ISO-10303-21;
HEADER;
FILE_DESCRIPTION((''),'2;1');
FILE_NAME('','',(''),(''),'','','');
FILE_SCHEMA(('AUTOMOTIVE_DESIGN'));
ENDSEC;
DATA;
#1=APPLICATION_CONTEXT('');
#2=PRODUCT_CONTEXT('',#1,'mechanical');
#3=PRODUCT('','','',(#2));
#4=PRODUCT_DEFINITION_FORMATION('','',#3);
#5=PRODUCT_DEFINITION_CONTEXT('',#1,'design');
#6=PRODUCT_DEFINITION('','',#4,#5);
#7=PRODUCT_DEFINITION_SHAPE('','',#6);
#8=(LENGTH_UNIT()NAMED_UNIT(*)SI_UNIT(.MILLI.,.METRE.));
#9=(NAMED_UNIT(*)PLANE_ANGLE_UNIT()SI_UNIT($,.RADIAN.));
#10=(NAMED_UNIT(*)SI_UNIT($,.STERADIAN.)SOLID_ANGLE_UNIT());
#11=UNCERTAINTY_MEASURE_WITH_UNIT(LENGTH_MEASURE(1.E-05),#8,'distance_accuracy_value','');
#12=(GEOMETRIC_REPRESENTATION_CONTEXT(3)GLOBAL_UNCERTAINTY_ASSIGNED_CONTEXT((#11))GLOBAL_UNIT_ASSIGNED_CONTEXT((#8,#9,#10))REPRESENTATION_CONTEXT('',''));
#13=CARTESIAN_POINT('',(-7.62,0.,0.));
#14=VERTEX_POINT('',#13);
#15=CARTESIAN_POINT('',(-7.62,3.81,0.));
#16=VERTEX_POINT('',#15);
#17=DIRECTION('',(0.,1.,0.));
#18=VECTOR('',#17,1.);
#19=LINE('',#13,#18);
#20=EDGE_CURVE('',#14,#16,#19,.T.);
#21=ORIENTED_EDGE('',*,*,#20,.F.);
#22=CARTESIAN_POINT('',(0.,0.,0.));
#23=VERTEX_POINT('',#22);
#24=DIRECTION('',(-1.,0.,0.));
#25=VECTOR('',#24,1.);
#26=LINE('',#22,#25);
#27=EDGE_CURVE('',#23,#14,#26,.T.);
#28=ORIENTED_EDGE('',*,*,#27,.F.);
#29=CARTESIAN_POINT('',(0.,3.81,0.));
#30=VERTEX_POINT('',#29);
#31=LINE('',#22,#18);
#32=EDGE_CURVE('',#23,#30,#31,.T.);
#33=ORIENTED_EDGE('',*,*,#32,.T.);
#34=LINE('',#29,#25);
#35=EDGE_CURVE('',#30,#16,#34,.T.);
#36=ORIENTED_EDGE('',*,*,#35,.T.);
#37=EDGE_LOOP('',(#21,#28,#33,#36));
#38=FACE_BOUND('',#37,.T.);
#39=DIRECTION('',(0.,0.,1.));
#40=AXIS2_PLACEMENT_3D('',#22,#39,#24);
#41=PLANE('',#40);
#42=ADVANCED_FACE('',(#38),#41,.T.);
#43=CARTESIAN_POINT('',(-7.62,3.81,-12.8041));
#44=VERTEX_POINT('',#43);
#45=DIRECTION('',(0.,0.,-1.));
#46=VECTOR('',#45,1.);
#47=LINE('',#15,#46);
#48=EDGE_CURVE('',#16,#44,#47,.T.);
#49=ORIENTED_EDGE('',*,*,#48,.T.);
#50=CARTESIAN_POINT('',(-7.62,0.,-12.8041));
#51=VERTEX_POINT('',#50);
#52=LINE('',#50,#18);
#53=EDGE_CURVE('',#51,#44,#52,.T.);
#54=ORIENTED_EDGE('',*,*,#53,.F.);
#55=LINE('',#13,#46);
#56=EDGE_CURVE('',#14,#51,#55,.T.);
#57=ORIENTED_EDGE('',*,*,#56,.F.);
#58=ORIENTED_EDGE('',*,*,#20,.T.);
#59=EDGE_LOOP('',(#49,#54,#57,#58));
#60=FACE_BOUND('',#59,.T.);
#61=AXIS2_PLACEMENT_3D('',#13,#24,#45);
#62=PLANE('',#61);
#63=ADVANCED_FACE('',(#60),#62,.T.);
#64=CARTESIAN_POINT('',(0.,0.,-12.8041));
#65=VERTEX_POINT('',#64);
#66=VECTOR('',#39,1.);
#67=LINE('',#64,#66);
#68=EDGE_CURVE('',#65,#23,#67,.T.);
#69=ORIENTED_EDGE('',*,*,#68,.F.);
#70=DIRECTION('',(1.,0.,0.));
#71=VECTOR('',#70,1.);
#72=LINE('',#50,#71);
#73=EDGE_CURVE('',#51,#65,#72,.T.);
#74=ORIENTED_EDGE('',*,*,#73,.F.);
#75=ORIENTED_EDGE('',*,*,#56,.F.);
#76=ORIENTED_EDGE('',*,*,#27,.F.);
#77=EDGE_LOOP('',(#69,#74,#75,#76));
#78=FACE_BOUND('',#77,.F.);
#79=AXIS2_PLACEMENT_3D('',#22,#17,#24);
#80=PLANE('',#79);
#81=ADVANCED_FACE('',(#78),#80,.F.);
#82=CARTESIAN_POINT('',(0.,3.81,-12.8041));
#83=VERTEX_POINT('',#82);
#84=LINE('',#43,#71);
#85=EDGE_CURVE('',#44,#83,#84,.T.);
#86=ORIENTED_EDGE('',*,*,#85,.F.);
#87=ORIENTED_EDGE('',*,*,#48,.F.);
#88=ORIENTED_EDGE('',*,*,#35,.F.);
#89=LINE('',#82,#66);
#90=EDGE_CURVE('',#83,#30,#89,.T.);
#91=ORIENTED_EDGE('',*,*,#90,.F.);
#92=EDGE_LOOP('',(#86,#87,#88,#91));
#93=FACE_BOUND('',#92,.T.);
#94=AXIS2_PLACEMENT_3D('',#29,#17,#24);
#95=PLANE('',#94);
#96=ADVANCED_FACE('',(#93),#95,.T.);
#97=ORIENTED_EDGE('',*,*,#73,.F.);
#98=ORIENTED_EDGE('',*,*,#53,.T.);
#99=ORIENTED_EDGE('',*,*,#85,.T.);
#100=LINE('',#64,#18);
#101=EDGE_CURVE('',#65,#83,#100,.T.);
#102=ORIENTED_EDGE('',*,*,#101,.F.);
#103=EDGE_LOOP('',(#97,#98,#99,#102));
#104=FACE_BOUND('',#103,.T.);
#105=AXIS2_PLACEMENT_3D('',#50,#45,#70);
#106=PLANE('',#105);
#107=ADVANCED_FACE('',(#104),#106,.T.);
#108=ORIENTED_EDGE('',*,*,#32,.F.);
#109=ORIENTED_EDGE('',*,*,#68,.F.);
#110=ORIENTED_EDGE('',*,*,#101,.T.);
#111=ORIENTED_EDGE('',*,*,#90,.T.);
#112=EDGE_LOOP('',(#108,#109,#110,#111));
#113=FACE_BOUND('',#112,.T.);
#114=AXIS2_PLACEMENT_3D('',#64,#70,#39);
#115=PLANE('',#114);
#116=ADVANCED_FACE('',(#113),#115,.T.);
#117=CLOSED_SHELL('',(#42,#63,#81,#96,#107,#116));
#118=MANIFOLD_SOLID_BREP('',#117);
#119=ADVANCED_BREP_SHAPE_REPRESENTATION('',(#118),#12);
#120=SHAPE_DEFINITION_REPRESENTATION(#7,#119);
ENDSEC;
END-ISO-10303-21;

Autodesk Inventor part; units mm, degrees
ref_plane "YZ Plane" through (0, 0, 0) normal (1, 0, 0) x (0, 1, 0)
ref_plane "XZ Plane" through (0, 0, 0) normal (0, 1, 0) x (-1, 0, 0)
ref_plane "XY Plane" through (0, 0, 0) normal (0, 0, 1) x (1, 0, 0)
sketch "Sketch1" plane through (0, 0, 0) normal (0, 1, 0) x (-1, 0, 0)
  line L0 (0, 0) -> (7.62, 0)
  line L1 (7.62, 0) -> (7.62, -12.8041)
  line L2 (7.62, -12.8041) -> (0, -12.8041)
  line L3 (0, -12.8041) -> (0, 0)
  dimension "d0" = 7.62
extrude "Extrusion1" add sketch "Sketch1" along normal blind 3.81
properties part number "micro2"
